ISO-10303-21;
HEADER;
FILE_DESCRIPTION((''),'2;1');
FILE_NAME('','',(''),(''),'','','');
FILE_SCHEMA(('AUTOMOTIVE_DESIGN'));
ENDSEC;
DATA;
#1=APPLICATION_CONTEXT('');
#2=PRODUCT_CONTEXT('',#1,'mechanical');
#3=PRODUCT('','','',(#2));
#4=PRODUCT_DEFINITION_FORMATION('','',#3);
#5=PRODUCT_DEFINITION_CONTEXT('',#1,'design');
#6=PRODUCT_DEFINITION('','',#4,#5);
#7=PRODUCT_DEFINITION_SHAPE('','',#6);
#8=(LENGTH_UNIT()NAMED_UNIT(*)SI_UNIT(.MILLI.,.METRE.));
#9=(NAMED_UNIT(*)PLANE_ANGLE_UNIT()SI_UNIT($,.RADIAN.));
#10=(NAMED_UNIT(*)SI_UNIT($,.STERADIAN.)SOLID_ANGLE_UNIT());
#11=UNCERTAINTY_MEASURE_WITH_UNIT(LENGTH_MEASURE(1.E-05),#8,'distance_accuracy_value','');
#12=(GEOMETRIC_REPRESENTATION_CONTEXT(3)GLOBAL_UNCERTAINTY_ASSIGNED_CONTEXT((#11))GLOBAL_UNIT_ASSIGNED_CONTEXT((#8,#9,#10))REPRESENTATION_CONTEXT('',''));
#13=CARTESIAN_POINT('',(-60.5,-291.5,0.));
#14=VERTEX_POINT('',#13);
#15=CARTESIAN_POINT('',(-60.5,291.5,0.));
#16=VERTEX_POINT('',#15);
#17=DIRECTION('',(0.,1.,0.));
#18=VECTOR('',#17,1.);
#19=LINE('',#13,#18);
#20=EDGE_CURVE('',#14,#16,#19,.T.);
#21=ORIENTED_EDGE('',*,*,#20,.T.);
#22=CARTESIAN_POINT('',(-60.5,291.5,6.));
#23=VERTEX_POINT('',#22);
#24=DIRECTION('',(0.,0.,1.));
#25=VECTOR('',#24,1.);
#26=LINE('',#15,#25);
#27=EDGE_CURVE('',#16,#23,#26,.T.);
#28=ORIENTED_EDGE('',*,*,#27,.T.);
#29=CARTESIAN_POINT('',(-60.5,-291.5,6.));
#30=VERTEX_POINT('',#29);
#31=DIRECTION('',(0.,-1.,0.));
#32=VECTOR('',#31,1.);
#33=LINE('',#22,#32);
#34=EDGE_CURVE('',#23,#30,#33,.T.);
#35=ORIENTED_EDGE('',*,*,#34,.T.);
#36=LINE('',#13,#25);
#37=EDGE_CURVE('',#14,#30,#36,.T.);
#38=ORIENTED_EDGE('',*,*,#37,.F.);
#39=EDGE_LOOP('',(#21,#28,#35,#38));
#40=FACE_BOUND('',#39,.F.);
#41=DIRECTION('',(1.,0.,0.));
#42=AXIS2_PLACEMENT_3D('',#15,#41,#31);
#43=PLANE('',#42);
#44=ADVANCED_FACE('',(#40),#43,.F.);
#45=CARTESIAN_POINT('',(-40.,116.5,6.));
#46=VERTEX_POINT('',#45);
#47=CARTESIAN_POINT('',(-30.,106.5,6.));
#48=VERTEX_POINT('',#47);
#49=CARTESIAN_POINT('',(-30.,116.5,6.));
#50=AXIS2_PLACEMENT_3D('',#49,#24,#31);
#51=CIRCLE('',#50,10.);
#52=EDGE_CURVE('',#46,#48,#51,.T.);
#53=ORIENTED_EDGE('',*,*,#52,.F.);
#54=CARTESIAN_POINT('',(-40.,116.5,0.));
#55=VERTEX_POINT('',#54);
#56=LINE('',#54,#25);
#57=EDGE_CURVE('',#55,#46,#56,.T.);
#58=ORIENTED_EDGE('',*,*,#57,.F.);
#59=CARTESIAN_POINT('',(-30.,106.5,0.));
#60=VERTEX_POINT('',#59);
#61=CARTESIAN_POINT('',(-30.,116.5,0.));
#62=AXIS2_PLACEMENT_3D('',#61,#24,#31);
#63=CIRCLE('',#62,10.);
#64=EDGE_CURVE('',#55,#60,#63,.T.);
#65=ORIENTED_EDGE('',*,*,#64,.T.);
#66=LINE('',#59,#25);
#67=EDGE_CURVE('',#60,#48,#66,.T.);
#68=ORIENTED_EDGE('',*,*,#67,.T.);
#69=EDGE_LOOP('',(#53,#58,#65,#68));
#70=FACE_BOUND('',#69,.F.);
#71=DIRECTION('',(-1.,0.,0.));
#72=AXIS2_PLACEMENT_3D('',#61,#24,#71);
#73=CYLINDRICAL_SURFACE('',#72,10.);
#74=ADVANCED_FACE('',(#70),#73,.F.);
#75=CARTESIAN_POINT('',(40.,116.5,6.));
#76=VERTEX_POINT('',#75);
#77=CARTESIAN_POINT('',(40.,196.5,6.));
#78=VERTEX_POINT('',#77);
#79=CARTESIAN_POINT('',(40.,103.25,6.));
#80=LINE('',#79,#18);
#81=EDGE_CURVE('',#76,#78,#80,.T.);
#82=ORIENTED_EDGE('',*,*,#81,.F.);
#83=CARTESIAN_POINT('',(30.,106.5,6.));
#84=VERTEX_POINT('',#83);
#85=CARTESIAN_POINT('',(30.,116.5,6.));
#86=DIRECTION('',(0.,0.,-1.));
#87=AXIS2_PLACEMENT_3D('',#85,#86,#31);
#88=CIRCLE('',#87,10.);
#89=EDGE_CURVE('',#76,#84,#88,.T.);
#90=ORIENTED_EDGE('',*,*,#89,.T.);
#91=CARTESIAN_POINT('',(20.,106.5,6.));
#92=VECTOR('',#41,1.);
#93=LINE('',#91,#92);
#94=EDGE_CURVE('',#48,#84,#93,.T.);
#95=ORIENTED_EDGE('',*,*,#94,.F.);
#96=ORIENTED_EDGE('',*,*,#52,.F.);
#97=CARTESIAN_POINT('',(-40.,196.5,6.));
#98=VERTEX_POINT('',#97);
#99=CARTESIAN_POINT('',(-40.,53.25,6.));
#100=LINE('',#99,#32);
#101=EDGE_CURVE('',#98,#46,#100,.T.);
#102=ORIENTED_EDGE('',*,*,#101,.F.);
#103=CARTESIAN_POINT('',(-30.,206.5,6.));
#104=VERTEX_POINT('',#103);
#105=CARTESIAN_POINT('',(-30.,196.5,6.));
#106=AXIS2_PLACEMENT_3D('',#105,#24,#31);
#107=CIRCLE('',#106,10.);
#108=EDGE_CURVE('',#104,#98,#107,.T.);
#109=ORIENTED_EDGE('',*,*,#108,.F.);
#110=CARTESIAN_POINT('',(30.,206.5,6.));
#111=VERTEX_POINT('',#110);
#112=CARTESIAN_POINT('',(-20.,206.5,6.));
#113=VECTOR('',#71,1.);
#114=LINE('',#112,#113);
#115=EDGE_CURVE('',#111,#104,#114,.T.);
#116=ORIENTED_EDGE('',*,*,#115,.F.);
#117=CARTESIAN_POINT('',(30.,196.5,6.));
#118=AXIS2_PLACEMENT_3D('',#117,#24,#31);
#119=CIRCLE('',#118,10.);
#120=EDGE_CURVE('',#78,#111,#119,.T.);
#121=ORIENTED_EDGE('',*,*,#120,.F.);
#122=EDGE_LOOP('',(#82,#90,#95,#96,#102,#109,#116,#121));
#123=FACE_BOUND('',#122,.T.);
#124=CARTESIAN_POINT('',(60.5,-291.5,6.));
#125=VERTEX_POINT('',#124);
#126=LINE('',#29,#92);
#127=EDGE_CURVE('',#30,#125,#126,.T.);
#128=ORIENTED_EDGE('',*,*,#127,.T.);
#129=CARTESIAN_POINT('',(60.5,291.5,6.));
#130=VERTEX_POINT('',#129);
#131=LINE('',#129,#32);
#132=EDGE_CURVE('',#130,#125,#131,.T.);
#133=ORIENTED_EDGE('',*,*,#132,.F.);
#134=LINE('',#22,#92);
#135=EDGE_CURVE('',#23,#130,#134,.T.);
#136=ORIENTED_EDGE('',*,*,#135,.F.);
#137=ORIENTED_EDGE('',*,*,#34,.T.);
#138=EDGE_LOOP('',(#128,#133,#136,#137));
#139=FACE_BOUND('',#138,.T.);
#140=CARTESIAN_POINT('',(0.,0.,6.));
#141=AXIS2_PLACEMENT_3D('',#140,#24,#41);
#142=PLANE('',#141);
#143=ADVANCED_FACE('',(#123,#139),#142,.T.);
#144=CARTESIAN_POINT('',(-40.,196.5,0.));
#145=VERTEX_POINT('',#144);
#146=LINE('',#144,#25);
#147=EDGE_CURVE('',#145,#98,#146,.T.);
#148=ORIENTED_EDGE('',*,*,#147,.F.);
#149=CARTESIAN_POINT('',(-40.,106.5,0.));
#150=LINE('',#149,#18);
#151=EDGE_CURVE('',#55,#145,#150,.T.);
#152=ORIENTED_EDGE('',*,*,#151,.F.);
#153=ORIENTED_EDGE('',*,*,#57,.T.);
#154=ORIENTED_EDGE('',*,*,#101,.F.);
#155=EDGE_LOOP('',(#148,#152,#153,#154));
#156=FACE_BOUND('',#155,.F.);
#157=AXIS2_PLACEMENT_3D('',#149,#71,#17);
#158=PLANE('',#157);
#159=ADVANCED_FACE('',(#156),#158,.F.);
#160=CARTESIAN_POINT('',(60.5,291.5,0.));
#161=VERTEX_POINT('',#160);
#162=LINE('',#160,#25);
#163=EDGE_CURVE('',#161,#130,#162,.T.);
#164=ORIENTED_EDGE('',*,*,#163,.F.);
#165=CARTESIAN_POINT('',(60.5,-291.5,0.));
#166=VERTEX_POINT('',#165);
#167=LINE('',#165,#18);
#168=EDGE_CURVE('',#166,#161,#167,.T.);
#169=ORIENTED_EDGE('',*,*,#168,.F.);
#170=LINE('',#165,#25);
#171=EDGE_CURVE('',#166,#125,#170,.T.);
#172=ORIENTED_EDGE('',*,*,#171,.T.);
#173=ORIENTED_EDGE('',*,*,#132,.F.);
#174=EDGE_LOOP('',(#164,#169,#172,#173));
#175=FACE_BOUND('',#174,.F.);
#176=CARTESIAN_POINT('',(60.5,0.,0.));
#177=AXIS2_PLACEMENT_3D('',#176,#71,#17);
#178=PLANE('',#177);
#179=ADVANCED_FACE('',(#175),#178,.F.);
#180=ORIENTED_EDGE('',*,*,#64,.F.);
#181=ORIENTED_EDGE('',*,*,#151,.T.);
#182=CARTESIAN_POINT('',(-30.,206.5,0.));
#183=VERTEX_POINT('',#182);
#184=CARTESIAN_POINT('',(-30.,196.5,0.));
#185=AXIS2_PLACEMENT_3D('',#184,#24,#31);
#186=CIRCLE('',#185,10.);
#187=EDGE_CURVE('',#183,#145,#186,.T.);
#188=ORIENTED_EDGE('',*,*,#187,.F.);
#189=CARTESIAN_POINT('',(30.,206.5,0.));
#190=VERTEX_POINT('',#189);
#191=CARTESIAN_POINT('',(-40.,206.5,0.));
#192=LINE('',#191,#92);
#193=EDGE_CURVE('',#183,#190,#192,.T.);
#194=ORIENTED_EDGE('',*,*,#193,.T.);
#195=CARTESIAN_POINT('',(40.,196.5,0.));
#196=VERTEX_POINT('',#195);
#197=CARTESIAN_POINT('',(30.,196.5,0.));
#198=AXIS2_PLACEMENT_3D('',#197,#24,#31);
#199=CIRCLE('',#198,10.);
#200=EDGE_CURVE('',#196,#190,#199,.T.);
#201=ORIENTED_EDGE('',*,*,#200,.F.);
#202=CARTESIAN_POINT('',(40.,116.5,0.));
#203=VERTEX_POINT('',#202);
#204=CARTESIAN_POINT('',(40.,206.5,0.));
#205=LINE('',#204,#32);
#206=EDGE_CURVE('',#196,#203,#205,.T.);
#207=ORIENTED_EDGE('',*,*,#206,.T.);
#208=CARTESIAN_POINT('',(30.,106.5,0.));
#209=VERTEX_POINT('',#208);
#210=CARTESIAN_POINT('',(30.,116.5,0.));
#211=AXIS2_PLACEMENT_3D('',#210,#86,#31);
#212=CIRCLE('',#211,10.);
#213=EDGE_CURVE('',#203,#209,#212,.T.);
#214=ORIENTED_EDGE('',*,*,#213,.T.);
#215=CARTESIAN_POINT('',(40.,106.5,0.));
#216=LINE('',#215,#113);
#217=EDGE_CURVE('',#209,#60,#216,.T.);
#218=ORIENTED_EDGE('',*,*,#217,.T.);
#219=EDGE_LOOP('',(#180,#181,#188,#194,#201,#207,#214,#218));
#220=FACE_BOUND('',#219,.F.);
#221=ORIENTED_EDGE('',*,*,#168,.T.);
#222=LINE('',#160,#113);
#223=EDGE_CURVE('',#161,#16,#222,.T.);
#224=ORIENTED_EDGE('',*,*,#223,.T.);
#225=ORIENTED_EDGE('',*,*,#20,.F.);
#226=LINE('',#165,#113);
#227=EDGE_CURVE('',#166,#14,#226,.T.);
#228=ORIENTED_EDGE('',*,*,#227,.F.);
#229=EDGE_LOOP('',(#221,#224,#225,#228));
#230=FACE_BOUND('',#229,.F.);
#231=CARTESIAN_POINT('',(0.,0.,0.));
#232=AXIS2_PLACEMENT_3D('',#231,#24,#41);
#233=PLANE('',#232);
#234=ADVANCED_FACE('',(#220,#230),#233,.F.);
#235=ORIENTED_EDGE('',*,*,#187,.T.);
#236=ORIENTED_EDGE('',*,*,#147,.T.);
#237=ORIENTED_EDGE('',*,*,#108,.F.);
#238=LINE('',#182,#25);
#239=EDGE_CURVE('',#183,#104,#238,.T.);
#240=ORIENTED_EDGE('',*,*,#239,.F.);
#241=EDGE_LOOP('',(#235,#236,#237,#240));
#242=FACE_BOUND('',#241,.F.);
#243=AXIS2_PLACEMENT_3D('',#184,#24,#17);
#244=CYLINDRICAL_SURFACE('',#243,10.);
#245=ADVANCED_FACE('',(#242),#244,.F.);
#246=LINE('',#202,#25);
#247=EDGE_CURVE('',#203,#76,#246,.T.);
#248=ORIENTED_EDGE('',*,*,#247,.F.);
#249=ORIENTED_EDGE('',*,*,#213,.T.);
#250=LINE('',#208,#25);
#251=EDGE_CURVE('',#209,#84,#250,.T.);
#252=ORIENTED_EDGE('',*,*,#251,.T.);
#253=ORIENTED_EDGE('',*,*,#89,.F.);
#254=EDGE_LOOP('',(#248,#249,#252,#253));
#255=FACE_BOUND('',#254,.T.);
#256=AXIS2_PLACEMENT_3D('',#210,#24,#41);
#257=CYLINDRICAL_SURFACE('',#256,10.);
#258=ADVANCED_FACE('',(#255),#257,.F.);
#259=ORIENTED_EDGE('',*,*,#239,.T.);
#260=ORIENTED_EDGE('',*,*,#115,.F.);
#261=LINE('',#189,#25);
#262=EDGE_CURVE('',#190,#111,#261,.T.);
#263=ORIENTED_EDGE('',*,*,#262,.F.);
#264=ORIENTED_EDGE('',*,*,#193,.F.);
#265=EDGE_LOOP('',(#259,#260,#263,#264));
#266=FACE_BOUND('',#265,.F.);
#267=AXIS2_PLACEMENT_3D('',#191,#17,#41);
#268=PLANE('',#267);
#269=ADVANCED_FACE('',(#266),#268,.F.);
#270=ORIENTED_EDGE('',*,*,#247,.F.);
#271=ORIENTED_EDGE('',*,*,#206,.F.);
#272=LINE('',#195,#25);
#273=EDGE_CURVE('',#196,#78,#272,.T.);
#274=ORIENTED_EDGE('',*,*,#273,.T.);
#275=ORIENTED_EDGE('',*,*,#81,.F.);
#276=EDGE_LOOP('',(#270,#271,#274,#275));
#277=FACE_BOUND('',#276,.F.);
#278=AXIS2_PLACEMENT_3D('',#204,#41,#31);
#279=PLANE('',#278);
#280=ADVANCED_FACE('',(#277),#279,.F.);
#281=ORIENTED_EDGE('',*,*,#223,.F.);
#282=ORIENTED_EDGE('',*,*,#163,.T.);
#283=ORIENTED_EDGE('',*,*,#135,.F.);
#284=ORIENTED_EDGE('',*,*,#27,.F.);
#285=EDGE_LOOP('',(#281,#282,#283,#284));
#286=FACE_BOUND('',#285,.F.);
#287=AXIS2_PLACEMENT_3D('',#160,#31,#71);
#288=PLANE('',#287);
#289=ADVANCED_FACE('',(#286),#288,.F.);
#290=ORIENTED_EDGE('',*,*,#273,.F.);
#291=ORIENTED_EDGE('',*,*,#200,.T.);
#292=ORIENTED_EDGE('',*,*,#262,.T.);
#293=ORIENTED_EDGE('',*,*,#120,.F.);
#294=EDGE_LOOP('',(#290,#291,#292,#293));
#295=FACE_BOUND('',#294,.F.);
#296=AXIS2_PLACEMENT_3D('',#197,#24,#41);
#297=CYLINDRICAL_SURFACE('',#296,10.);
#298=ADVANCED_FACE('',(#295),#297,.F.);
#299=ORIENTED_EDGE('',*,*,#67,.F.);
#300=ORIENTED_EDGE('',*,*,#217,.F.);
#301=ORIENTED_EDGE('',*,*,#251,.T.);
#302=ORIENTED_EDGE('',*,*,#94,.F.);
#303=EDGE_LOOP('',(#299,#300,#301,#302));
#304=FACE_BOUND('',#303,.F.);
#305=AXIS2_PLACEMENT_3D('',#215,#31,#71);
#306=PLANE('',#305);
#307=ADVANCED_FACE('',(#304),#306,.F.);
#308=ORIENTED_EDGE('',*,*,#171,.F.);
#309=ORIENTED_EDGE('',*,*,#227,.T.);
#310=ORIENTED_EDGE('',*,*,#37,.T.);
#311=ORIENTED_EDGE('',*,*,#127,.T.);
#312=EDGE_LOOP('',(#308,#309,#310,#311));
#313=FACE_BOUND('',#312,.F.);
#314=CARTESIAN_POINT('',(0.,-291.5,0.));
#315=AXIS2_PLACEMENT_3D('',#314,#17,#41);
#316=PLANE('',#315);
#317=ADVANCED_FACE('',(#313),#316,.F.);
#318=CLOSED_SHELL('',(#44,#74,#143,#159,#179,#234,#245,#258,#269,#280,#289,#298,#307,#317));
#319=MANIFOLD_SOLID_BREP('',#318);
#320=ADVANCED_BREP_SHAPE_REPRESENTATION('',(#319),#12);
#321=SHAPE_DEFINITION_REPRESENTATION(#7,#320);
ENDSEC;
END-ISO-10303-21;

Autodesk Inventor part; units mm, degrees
ref_plane "YZ Plane" through (0, 0, 0) normal (1, 0, 0) x (0, 1, 0)
ref_plane "XZ Plane" through (0, 0, 0) normal (0, 1, 0) x (-1, 0, 0)
ref_plane "XY Plane" through (0, 0, 0) normal (0, 0, 1) x (1, 0, 0)
sketch "Skizze1" plane through (0, 0, 0) normal (0, 0, 1) x (1, 0, 0)
  line L0 (0, 408.1) -> (0, -408.1) projected
  line L1 (-84.7, 0) -> (84.7, 0) projected
  line L2 (-60.5, -291.5) -> (60.5, -291.5)
  line L3 (60.5, -291.5) -> (60.5, 291.5)
  line L4 (60.5, 291.5) -> (-60.5, 291.5)
  line L5 (-60.5, 291.5) -> (-60.5, -291.5)
  point P0 (0, 0)
  point P1 (0, -291.5)
  point P2 (-60.5, 0)
  dimension "d0" = 583
  dimension "d1" = 121
extrude "Extrusion1" add sketch "Skizze1" along normal blind 6
sketch "Skizze2" plane through (0, 0, 0) normal (0, 0, -1) x (-1, 0, 0)
  line L0 (60.5, 291.5) -> (60.5, -291.5) projected
  line L1 (-60.5, 291.5) -> (60.5, 291.5) projected
  line L2 (-40, 106.5) -> (40, 106.5)
  line L3 (40, 106.5) -> (40, 206.5)
  line L4 (40, 206.5) -> (-40, 206.5)
  line L5 (-40, 206.5) -> (-40, 106.5)
  line L6 (50, 227.269) -> (50, 127.269) projected
  point P0 (0, 0)
  dimension "d4" = 185
  dimension "d5" = 100
  dimension "d6" = 80
  dimension "d7" = 20.5
extrude "Extrusion2" cut sketch "Skizze2" against normal through all
fillet "Rundung1" radius 10 4 edges at (-40, 106.5, 3) (-40, 206.5, 3) (40, 206.5, 3) (40, 106.5, 3)
properties part number "Schläuse" material "Polycarbonate, Clear"
